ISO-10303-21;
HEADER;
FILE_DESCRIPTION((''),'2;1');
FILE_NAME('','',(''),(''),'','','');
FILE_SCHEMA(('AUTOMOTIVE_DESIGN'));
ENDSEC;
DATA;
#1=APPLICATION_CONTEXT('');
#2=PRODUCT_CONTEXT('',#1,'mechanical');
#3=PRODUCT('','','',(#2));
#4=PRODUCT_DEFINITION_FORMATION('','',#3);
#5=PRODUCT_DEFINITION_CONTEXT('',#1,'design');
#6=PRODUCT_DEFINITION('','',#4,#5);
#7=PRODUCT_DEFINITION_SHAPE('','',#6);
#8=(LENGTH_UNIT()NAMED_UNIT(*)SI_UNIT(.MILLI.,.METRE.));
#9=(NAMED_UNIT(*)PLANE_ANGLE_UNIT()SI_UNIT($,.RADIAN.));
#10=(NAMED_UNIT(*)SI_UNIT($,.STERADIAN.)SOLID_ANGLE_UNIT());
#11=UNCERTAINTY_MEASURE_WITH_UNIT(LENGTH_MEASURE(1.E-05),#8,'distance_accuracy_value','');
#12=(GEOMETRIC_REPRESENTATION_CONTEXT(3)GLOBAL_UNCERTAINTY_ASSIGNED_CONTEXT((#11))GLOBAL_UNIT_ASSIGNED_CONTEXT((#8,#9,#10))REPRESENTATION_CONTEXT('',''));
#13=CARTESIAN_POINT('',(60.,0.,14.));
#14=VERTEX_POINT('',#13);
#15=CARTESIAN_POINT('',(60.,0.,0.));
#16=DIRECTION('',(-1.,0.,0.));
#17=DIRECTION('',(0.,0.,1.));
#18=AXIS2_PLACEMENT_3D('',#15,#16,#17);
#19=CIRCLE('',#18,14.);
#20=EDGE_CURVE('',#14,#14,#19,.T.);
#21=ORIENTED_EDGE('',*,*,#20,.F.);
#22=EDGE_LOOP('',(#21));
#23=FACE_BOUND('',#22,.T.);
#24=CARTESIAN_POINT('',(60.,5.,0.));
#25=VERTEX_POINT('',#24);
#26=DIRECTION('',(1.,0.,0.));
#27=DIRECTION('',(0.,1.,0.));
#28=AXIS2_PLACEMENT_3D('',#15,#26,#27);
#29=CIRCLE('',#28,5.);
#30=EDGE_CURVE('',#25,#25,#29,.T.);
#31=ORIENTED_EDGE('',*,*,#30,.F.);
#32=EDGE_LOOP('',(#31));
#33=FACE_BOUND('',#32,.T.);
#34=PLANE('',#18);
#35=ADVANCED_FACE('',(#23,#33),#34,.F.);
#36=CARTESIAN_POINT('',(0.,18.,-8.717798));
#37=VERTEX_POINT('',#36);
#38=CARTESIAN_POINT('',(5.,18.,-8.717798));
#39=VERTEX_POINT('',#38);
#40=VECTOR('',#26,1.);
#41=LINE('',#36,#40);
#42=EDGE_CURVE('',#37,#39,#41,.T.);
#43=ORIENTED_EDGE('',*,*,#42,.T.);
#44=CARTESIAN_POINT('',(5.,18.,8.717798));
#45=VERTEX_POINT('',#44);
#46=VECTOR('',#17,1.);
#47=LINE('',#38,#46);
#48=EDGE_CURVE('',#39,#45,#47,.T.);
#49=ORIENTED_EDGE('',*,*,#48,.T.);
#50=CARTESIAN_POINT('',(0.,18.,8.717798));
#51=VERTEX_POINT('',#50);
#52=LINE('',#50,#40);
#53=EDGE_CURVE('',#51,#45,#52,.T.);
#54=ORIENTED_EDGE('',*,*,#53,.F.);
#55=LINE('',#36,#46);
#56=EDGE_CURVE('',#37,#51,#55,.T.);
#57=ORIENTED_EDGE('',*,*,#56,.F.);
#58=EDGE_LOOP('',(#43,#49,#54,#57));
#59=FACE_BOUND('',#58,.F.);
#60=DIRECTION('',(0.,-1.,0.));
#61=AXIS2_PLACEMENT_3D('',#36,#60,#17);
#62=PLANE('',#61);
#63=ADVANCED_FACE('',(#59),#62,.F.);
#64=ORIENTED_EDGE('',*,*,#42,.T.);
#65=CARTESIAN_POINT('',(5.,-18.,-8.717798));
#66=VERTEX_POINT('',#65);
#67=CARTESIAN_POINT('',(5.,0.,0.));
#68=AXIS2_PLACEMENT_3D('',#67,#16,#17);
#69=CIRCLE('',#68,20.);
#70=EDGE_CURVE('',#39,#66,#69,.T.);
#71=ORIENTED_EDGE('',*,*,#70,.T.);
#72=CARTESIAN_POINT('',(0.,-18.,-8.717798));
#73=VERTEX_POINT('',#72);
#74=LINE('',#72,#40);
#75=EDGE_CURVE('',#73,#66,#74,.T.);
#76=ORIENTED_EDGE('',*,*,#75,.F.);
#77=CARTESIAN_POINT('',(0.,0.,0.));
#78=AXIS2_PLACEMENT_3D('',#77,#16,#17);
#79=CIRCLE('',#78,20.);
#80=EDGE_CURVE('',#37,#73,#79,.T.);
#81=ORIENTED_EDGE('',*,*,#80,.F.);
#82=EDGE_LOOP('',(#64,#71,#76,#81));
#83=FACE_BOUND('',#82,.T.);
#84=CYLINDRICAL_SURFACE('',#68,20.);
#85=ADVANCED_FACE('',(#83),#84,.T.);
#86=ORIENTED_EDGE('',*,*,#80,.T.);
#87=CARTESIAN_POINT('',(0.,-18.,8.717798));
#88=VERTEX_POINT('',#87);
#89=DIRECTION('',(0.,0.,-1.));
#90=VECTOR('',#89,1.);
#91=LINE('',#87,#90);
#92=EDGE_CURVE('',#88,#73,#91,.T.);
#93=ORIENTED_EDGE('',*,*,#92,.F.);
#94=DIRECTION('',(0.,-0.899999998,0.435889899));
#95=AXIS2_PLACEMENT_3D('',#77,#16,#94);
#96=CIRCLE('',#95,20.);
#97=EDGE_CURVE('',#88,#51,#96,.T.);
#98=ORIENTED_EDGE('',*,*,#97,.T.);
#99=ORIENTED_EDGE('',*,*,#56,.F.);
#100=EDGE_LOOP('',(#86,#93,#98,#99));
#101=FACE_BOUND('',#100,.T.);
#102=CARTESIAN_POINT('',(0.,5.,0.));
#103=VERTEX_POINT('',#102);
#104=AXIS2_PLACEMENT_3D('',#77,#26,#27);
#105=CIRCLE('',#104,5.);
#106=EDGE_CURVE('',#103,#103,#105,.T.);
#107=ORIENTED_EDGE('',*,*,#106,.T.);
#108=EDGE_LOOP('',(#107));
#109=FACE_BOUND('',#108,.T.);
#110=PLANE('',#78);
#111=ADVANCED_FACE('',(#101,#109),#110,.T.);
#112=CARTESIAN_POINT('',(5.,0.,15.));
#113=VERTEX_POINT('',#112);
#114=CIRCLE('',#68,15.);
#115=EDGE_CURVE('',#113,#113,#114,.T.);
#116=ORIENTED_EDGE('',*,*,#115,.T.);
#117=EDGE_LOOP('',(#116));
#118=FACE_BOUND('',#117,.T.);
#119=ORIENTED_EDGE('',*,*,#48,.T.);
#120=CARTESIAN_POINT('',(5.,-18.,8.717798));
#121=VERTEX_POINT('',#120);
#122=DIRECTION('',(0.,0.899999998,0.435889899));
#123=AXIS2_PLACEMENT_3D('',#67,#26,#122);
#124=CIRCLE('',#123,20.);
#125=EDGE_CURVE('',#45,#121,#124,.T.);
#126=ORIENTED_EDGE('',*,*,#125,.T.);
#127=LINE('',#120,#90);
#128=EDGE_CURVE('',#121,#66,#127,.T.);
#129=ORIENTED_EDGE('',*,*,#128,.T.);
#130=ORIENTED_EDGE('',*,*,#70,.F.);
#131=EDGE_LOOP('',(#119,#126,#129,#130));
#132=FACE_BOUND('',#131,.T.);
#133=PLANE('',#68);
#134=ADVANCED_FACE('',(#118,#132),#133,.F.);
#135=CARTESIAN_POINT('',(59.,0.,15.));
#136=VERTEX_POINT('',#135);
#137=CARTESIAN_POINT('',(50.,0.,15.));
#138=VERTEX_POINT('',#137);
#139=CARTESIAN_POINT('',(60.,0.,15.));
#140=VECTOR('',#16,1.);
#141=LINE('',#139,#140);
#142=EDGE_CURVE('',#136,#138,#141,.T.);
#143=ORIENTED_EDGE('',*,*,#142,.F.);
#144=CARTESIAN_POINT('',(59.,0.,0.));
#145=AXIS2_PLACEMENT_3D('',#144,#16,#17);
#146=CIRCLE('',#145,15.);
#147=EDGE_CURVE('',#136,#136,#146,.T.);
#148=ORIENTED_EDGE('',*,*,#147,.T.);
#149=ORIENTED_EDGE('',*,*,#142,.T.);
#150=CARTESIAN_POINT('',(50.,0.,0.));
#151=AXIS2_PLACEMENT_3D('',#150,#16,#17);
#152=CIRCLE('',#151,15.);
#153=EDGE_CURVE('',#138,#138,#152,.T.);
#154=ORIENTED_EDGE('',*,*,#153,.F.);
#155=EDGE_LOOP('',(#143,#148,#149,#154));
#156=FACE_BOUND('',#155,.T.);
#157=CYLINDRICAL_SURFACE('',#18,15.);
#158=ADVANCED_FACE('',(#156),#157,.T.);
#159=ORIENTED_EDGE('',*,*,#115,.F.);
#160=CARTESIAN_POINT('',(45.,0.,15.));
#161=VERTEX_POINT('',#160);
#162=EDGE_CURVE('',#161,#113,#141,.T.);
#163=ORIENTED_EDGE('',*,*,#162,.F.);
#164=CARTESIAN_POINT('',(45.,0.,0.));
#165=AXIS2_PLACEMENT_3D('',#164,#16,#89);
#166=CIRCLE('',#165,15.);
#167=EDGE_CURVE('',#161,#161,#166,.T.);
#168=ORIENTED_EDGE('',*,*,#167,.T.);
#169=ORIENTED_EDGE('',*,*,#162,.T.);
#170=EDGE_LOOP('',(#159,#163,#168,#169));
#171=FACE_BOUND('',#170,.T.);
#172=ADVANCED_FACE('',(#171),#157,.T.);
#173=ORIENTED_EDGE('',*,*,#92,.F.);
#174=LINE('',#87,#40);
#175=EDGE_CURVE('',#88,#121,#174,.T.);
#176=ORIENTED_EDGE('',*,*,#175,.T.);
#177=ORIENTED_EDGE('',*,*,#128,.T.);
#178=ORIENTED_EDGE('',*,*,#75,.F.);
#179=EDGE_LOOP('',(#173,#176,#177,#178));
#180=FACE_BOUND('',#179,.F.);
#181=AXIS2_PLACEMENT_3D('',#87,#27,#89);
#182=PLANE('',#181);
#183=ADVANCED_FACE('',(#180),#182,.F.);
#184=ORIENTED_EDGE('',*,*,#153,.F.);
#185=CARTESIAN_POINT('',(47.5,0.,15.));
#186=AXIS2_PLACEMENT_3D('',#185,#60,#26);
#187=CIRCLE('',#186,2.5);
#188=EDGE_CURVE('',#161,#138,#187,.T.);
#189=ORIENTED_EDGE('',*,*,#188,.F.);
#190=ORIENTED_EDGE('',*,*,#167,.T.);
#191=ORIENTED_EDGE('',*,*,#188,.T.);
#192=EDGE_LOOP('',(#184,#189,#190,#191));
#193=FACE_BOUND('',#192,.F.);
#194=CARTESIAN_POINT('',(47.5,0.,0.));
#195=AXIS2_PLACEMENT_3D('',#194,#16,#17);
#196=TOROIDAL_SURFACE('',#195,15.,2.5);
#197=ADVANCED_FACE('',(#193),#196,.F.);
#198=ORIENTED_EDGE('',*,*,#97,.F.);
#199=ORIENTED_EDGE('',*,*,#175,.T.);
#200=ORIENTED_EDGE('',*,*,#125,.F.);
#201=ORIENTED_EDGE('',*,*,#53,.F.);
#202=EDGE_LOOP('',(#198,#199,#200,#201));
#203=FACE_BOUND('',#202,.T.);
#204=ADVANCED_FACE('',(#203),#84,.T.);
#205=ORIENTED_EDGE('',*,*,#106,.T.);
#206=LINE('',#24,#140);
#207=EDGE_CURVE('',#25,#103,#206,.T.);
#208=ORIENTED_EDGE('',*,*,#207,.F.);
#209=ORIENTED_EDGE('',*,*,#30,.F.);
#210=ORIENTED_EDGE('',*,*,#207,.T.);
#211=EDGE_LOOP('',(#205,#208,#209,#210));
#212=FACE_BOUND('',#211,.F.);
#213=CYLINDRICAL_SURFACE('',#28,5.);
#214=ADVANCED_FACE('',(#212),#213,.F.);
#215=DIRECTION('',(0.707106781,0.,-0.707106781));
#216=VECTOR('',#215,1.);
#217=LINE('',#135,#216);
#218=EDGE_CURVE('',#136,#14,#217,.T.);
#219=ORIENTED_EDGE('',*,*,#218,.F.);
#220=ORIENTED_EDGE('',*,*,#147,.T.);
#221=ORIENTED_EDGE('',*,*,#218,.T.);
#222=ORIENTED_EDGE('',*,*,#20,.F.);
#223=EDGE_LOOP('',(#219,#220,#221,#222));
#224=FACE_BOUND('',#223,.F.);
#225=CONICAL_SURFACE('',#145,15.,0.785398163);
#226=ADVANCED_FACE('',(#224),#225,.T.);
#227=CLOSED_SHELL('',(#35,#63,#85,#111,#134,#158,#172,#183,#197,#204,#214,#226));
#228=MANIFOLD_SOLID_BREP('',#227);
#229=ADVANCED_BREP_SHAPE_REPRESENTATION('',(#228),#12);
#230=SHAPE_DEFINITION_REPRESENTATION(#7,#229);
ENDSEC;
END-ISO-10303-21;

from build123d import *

# Parameters (mm, degrees)
F2_R     = 2.5
F4_SIZE  = 1
F5_R     = 5
F6_DEPTH = 60.001
F8_DEPTH = 5


with BuildPart() as f1:
    # F0 (on Front) → F1 (revolve)
    with BuildSketch(Plane.XZ):
        Polygon((0, 20), (0, 0), (60, 0), (60, 15), (5, 15), (5, 20), align=None)
    revolve(axis=Axis((30, 0, 0), (-1, 0, 0)))

    # F2 (on Front) → F3 (revolve, cut)
    with BuildSketch(Plane.XZ):
        with Locations((47.5, 15)):
            Circle(F2_R)
    revolve(axis=Axis((60, 0, 0), (-1, 0, 0)), mode=Mode.SUBTRACT)

    # F4
    f4_edges = [f1.edges().sort_by_distance(p)[0] for p in [
        (60, 0, -15),
    ]]
    chamfer(f4_edges, length=F4_SIZE)

    # F5 (on face) → F6 (cut, through all)
    with BuildSketch(Plane.YZ.offset(60)):
        Circle(F5_R)
    extrude(amount=-F6_DEPTH, mode=Mode.SUBTRACT)

    # F7 (on face) → F8 (cut, through all)
    with BuildSketch(Plane(origin=(0, 0, 0), x_dir=(0, -1, 0), z_dir=(-1, 0, 0))):
        with BuildLine():
            ThreePointArc((-18, 8.717798), (-20, 0), (-18, -8.717798))
            Line((-18, -8.717798), (-18, 8.717798))
        make_face()
        with BuildLine():
            Line((18, 8.717798), (18, -8.717798))
            ThreePointArc((18, -8.717798), (19.493589, -4.472136), (20, 0))
            ThreePointArc((20, 0), (19.493589, 4.472136), (18, 8.717798))
        make_face()
    extrude(amount=-F8_DEPTH, mode=Mode.SUBTRACT)


solid = f1.part
